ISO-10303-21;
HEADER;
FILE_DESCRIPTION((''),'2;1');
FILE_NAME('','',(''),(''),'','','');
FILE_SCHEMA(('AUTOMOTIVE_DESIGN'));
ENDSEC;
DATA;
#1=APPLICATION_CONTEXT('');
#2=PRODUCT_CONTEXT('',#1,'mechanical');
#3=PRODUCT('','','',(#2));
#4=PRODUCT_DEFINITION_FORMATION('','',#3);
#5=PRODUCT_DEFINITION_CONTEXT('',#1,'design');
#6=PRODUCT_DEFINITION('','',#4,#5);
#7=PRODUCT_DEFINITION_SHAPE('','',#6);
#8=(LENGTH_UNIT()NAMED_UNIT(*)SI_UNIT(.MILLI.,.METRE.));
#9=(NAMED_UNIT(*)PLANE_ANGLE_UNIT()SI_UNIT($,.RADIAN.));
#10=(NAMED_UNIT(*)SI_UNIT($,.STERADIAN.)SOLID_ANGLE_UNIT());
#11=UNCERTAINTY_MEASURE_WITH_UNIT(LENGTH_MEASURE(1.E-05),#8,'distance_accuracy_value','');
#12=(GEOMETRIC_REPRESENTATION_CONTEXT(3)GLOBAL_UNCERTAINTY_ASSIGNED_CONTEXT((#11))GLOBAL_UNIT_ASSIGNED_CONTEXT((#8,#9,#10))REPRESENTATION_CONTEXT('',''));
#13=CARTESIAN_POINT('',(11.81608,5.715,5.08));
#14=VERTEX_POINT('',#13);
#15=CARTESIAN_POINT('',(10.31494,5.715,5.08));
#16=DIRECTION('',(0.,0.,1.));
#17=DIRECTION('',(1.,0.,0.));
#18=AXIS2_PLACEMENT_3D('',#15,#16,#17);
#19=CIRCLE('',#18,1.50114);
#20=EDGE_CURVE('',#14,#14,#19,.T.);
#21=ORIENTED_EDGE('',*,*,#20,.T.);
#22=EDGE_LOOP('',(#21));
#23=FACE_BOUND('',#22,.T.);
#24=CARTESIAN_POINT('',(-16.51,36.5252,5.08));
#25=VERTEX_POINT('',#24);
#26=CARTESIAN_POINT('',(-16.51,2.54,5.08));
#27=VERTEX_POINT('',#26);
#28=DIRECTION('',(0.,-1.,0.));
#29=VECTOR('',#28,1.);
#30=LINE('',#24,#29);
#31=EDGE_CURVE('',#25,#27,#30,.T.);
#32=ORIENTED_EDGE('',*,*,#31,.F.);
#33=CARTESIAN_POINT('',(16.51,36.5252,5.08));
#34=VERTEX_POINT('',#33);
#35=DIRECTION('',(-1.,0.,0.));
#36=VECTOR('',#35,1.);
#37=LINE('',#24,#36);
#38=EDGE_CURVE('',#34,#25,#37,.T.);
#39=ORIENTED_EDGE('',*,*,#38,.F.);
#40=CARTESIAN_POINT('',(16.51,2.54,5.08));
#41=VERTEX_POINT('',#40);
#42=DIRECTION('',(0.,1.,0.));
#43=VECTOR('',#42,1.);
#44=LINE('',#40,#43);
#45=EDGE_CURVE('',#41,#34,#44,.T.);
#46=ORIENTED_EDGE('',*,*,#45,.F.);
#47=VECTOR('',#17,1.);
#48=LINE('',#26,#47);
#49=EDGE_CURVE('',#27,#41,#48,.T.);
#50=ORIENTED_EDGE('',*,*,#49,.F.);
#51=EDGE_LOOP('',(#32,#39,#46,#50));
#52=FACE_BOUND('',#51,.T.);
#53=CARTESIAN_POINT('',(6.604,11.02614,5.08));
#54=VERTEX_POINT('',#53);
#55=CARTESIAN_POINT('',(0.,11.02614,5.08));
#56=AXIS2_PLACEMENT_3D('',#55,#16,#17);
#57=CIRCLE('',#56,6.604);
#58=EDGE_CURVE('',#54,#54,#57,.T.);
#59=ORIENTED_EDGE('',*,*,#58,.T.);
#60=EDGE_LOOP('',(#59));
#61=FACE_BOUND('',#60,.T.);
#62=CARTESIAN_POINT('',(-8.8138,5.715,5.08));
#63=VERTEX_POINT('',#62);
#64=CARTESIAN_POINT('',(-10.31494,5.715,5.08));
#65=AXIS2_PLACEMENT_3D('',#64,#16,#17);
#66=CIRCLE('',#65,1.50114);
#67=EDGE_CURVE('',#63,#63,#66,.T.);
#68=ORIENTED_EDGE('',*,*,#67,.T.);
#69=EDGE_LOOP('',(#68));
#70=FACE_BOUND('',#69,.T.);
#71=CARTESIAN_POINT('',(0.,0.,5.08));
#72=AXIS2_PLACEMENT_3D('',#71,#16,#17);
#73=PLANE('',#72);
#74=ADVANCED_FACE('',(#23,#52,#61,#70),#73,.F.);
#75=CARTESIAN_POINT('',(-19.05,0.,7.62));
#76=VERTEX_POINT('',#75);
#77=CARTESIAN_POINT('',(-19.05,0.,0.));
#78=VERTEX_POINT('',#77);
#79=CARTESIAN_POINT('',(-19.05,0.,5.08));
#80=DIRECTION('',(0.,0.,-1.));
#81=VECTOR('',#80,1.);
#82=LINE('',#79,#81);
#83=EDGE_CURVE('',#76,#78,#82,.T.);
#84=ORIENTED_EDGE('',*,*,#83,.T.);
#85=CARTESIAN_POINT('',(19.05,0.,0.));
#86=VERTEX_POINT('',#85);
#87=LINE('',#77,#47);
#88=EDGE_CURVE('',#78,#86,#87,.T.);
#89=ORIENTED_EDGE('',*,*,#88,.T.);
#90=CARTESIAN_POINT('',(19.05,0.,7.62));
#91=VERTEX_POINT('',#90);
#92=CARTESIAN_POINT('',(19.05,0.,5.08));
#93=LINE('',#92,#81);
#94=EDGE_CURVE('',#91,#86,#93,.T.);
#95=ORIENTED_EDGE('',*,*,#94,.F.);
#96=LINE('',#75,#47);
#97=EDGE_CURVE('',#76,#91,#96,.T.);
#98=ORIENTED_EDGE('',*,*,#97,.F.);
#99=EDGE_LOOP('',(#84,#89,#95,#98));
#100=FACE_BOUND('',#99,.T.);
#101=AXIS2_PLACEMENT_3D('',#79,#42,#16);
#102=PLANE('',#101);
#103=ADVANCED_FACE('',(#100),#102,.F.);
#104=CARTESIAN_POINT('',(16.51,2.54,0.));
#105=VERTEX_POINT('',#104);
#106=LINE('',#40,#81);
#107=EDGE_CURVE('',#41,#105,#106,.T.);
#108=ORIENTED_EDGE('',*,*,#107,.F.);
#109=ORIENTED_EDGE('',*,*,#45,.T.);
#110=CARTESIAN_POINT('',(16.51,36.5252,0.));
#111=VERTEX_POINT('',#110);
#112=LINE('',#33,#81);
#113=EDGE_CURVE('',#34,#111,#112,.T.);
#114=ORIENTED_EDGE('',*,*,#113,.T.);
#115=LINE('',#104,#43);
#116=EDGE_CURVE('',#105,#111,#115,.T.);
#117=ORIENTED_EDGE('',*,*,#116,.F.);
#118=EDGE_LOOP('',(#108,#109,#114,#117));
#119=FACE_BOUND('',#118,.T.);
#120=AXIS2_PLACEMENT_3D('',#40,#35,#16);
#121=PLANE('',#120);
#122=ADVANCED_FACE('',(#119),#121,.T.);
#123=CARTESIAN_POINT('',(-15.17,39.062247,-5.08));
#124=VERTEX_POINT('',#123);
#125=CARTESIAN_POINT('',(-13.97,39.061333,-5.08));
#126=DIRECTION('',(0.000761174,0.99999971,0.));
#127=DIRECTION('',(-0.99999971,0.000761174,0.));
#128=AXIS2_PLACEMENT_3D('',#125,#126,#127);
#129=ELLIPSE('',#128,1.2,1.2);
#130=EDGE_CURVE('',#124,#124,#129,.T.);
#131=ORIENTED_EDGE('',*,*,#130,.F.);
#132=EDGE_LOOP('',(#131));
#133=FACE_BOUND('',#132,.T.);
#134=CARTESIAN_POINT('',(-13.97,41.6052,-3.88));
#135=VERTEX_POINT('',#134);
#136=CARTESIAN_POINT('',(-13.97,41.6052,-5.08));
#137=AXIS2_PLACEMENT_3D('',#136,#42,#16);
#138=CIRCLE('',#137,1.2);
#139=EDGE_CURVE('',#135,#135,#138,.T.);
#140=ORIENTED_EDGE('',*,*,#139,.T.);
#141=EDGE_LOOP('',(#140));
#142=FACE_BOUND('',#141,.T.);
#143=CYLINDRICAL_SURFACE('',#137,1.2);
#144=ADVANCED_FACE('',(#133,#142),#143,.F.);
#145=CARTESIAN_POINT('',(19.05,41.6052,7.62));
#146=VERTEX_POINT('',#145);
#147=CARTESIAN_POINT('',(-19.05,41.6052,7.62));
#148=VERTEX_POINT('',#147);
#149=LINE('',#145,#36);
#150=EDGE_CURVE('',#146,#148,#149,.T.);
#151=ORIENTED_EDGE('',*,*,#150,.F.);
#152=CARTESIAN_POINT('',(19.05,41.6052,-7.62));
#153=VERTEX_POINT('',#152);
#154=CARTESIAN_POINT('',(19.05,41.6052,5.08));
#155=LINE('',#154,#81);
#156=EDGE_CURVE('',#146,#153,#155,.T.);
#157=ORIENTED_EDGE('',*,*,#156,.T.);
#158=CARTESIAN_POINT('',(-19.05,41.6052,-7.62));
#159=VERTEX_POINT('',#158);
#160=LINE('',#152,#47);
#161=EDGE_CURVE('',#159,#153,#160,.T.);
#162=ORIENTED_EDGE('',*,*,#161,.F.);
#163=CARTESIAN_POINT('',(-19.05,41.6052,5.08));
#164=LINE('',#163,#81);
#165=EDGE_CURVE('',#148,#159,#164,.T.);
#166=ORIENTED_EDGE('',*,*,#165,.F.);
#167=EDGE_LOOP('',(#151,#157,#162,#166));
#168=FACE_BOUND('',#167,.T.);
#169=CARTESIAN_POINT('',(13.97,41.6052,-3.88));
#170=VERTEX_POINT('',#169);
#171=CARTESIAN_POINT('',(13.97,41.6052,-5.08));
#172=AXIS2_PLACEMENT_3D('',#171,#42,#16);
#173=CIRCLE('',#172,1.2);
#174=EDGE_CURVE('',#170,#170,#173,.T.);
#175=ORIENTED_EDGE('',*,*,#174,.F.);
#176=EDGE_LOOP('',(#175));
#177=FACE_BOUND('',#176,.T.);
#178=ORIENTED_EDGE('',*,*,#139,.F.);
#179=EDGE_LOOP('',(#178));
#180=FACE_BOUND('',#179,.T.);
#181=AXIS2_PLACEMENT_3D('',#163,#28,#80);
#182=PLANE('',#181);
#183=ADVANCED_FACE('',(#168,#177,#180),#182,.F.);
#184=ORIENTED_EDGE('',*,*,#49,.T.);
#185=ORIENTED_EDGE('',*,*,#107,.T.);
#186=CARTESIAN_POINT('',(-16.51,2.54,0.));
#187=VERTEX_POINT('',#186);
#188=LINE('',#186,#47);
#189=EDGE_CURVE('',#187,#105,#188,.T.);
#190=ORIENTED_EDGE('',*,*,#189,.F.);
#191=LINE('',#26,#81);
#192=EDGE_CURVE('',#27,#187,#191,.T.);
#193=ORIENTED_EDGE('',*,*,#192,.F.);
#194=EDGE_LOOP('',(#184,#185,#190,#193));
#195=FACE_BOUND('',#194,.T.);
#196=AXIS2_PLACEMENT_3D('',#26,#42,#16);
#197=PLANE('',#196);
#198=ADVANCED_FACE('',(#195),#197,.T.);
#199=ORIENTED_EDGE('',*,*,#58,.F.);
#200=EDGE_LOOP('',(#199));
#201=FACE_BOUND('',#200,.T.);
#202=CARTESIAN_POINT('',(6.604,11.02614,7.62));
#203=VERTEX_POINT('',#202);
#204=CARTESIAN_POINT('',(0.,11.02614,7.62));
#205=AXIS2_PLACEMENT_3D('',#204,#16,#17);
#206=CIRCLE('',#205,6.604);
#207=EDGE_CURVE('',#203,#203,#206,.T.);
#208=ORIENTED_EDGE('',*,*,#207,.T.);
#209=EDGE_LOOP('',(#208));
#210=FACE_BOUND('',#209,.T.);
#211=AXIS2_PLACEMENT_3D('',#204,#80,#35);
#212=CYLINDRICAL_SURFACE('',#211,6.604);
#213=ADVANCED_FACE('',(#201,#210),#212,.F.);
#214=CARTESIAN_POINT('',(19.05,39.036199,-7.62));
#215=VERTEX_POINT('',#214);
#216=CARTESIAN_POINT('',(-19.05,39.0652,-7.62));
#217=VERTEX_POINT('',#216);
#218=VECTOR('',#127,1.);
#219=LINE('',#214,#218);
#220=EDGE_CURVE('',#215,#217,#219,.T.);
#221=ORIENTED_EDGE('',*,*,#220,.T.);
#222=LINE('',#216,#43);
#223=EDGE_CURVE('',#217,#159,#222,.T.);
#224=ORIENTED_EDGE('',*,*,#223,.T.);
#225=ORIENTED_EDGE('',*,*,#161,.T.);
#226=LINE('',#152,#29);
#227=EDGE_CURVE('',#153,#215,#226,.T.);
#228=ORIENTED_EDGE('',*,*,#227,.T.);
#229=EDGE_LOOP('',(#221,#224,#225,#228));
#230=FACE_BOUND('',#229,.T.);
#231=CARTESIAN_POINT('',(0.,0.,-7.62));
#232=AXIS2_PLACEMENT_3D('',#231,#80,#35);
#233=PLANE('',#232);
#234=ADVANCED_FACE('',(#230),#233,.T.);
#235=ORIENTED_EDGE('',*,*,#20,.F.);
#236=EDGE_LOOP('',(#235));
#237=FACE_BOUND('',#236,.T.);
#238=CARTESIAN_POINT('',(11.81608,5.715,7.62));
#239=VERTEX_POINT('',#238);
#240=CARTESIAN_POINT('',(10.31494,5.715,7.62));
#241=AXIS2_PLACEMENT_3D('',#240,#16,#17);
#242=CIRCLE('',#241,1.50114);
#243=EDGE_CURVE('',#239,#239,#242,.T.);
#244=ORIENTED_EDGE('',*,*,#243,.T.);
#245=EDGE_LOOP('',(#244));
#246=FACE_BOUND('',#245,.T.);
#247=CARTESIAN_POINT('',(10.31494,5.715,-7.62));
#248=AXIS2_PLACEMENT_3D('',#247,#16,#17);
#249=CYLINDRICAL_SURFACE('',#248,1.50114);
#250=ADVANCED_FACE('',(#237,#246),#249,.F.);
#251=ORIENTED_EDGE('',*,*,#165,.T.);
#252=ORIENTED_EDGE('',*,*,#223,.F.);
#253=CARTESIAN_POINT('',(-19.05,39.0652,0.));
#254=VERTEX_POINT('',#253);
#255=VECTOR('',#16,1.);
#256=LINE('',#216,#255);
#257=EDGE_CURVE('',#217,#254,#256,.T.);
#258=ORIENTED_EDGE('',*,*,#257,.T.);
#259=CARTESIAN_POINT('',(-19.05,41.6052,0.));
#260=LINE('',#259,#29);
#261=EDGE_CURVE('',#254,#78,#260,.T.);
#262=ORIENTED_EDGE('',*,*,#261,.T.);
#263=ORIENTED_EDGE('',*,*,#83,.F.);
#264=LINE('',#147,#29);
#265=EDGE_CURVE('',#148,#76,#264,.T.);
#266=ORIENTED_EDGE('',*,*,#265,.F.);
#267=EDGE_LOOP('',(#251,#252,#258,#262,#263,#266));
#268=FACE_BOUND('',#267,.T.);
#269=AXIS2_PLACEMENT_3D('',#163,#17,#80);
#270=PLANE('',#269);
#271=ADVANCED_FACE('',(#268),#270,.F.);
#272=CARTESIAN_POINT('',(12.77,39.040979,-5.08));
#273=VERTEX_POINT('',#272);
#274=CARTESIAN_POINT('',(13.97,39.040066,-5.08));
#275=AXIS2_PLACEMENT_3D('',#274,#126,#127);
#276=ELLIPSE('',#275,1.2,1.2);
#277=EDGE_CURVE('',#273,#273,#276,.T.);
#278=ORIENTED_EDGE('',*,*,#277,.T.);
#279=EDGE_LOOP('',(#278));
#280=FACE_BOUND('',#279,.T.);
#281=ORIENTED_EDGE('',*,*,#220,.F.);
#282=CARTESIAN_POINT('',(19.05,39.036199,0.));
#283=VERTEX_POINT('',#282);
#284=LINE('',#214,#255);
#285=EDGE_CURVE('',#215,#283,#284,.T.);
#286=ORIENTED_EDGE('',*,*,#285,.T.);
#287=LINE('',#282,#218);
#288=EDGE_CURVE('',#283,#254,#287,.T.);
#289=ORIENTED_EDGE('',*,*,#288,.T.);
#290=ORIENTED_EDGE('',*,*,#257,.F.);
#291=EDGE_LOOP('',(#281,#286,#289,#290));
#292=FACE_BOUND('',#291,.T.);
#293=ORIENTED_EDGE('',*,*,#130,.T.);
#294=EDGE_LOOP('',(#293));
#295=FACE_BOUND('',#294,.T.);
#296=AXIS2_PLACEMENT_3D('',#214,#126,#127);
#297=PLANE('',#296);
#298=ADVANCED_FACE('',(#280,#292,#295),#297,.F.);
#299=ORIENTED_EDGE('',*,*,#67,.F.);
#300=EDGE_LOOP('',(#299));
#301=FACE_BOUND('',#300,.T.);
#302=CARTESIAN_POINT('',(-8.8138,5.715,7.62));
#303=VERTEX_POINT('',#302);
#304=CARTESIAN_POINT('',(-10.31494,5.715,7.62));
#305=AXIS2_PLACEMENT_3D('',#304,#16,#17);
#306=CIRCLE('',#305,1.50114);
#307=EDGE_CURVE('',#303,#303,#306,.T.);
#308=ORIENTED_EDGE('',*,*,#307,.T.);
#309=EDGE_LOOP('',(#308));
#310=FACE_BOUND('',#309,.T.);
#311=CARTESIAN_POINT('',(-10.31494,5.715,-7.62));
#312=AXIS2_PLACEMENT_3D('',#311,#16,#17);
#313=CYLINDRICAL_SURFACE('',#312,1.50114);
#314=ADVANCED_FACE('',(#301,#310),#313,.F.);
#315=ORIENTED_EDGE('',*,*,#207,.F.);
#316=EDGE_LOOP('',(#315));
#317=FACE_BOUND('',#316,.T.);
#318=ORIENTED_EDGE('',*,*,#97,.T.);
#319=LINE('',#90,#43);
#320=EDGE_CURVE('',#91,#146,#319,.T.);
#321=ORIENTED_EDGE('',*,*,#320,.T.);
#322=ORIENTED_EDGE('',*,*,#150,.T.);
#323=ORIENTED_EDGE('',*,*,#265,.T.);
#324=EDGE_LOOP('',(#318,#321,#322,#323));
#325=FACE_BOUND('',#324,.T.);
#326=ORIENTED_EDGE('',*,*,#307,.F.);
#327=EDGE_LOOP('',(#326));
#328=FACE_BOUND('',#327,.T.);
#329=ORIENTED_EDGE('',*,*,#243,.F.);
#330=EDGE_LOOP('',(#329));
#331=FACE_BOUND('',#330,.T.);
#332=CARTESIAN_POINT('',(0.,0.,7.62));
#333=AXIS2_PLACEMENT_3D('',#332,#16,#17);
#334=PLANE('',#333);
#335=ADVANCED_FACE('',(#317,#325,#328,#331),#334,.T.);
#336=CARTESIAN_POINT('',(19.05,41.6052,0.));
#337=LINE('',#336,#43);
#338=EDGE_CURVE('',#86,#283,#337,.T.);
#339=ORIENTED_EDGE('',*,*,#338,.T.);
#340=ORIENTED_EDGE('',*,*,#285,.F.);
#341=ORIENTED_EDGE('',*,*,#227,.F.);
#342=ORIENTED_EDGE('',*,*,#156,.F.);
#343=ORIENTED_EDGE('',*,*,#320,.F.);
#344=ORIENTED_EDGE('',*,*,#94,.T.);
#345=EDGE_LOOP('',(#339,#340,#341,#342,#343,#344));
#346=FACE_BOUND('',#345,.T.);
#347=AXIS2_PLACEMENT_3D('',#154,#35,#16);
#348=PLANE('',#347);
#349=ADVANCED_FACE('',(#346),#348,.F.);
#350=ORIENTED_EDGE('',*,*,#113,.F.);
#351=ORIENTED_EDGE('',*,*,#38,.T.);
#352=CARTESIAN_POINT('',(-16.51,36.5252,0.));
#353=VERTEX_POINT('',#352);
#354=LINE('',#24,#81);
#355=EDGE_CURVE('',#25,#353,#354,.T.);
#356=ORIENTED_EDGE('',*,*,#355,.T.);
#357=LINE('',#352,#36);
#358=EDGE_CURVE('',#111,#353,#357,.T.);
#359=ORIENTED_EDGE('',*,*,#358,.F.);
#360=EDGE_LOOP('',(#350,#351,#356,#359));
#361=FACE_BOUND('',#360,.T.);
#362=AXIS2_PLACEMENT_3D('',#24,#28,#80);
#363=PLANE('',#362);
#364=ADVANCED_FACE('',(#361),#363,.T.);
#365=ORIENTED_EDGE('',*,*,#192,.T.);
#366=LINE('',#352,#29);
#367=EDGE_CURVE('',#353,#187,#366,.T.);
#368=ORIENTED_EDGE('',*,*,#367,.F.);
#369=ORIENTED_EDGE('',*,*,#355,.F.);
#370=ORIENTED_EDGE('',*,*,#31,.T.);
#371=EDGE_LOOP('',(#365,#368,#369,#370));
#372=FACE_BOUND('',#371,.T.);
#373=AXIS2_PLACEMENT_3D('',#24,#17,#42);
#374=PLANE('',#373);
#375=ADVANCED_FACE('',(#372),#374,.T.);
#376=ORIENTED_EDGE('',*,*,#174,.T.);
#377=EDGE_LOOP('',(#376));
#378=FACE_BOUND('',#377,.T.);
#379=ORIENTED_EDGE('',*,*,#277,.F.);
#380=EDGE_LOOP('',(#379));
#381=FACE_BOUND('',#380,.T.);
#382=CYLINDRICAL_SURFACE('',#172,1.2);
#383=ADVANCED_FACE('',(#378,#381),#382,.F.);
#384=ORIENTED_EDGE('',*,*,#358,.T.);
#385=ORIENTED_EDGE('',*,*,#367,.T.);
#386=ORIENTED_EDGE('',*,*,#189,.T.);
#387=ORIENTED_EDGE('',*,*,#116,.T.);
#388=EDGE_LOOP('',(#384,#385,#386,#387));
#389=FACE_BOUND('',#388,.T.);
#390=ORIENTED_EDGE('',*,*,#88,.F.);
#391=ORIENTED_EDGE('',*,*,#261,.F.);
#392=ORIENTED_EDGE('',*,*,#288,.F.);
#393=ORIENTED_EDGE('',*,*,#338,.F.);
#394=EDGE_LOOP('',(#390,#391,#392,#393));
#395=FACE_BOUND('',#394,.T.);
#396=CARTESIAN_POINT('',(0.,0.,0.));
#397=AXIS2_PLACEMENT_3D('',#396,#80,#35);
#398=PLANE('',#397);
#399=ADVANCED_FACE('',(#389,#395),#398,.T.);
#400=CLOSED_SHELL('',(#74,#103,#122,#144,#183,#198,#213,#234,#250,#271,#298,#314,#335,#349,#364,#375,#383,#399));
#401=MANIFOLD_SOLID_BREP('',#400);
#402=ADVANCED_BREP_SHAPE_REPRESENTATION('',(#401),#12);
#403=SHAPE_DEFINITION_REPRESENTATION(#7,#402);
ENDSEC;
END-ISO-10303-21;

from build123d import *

# Parameters (mm, degrees)
SKETCH2_W               = 38.1
SKETCH2_H               = 41.6052
SKETCH2_W_2             = 33.02
SKETCH2_H_2             = 33.9852
BOSS_EXTRUDE1_DEPTH     = 5.08
BOSS_EXTRUDE2_DEPTH     = 7.62
M2_CLEARANCE_HOLE1_D    = 2.4
SKETCH8_W               = 38.1
SKETCH8_H               = 41.6052
SKETCH8_R               = 6.604
BOSS_EXTRUDE3_DEPTH     = 2.54
SKETCH7_R               = 1.50114
CUT_EXTRUDE1_DEPTH      = 3.54
CUT_EXTRUDE1_DEPTH_BACK = 13.7


with BuildPart() as part:
    # Sketch2 → Boss-Extrude1 (new body)
    with BuildSketch(Plane.XY):
        with Locations((0, 20.8026)):
            Rectangle(SKETCH2_W, SKETCH2_H)
        with Locations((0, 19.5326)):
            Rectangle(SKETCH2_W_2, SKETCH2_H_2, mode=Mode.SUBTRACT)
    extrude(amount=BOSS_EXTRUDE1_DEPTH)

    # Sketch4 → Boss-Extrude2 (add)
    with BuildSketch(Plane(origin=(0, 0, 0), x_dir=(-1, 0, 0), z_dir=(0, 0, -1))):
        Polygon((-19.05, 41.6052), (19.05, 41.6052), (19.05, 39.0652), (-19.05, 39.036199263), align=None)
    extrude(amount=BOSS_EXTRUDE2_DEPTH)

    # M2 Clearance Hole1 (through all)
    with Locations(Plane(origin=(0, 41.6052, 0), x_dir=(1, 0, 0), z_dir=(0, 1, 0))):
        with Locations((-13.97, 5.08), (13.97, 5.08)):
            Hole(M2_CLEARANCE_HOLE1_D / 2)

    # Sketch8 → Boss-Extrude3 (add)
    with BuildSketch(Plane.XY.offset(5.08)):
        with Locations((0, 20.8026)):
            Rectangle(SKETCH8_W, SKETCH8_H)
        with Locations((0, 11.02614)):
            Circle(SKETCH8_R, mode=Mode.SUBTRACT)
    extrude(amount=BOSS_EXTRUDE3_DEPTH)

    # Sketch7 → Cut-Extrude1 (cut, two sides)
    with BuildSketch(Plane.XY.offset(5.08)) as cut_extrude1_sk:
        with Locations((-10.31494, 5.715)):
            Circle(SKETCH7_R)
        with Locations((10.31494, 5.715)):
            Circle(SKETCH7_R)
    extrude(amount=CUT_EXTRUDE1_DEPTH, mode=Mode.SUBTRACT)
    extrude(cut_extrude1_sk.sketch, amount=-CUT_EXTRUDE1_DEPTH_BACK, mode=Mode.SUBTRACT)


solid = part.part
